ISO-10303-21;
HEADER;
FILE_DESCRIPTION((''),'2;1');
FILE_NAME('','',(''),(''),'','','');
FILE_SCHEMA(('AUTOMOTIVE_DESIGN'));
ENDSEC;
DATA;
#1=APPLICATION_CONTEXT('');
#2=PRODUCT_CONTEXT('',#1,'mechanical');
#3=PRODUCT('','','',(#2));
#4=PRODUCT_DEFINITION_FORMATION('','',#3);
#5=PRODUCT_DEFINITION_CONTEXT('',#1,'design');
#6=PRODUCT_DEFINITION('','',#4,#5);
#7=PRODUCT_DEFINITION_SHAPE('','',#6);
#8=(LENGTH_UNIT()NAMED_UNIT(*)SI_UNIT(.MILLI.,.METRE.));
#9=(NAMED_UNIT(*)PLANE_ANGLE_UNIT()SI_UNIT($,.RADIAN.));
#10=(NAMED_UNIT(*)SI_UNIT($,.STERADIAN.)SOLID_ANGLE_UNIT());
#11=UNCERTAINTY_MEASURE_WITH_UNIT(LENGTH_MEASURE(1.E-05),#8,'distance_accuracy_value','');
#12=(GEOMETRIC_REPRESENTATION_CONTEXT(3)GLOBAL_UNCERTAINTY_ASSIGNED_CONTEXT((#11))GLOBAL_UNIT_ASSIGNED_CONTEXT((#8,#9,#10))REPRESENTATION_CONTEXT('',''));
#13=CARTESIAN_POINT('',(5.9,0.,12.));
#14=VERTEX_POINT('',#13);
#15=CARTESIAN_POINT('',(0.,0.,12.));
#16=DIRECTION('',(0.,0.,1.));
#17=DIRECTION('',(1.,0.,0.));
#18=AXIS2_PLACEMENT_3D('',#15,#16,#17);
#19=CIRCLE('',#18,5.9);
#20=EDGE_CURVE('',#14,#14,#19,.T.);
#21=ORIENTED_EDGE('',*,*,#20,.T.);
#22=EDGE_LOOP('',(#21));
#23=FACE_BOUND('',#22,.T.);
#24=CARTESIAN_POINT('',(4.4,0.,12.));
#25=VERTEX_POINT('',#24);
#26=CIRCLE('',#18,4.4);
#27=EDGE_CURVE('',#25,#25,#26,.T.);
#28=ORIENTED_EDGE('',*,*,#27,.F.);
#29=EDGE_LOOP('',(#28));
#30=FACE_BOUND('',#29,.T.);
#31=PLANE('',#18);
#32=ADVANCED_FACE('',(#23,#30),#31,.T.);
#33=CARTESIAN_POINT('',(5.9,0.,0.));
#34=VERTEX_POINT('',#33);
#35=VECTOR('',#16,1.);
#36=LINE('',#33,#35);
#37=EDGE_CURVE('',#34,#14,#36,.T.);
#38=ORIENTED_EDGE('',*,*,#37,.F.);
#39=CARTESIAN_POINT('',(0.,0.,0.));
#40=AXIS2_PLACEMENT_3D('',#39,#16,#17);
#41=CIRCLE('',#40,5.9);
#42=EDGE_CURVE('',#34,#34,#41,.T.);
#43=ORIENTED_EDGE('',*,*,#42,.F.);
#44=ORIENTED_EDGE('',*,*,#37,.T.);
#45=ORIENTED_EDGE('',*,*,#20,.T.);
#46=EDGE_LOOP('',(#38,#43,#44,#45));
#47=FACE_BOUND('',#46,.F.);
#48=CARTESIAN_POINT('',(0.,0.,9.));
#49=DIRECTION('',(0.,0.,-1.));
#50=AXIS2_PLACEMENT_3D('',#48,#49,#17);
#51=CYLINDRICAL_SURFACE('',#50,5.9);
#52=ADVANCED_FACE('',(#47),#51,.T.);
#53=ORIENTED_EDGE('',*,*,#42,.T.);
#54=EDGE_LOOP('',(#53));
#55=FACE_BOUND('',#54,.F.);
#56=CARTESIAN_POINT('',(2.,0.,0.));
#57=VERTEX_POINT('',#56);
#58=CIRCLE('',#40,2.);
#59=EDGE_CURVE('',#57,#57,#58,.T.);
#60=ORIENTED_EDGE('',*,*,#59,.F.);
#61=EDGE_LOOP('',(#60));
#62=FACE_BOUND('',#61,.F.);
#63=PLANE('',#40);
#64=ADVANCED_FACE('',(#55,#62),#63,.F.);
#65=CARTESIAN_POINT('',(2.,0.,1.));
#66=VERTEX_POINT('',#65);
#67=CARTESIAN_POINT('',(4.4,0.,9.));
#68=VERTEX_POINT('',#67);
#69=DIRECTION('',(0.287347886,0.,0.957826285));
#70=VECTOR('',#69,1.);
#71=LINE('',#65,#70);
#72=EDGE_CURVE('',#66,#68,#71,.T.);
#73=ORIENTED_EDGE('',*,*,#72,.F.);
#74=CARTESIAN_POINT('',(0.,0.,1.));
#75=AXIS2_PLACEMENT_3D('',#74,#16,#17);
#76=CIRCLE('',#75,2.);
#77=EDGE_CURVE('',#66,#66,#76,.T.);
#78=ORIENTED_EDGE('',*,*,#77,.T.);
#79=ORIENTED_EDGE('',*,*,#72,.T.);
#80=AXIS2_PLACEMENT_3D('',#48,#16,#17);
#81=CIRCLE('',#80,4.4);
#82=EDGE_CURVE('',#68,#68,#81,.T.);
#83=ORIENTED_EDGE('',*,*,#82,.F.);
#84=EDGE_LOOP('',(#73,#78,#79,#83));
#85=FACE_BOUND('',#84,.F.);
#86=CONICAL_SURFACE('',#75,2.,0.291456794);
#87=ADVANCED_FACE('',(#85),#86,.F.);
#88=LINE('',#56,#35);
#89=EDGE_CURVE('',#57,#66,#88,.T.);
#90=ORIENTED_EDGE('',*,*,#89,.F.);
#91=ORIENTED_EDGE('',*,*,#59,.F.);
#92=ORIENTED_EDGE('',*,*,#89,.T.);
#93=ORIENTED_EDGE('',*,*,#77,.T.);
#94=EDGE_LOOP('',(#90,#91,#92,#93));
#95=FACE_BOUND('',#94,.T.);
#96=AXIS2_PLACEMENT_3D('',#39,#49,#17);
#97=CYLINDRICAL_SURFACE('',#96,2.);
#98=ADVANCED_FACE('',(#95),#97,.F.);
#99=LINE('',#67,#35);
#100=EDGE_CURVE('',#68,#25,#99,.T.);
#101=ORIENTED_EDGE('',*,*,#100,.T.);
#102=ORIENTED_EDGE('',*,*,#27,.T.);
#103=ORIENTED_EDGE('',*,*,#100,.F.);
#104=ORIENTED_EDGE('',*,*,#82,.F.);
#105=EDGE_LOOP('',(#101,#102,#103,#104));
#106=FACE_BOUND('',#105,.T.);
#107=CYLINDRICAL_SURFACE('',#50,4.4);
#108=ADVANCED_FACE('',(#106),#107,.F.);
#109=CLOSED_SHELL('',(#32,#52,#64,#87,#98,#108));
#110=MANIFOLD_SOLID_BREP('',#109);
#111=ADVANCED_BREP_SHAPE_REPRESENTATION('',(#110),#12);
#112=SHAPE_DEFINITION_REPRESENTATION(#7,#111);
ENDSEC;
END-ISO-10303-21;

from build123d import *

# Parameters (mm, degrees)
F0_R        = 5.9
F0_R_2      = 2
F1_DEPTH    = 9
F2_SIZE2    = 2.4
F2_SIZE     = 8
F1_FACE_R   = 5.9
F1_FACE_R_2 = 4.4
F3_DEPTH    = 3


with BuildPart() as f1:
    # F0 (on Top) → F1 (new body)
    with BuildSketch(Plane.XY):
        Circle(F0_R)
        Circle(F0_R_2, mode=Mode.SUBTRACT)
    extrude(amount=F1_DEPTH)

    # F2
    f2_edges = [f1.edges().sort_by_distance(p)[0] for p in [
        (-2, 0, 9),
    ]]
    chamfer(f2_edges, length=F2_SIZE, length2=F2_SIZE2)

    # F1_face (on face) → F3 (join)
    with BuildSketch(Plane.XY.offset(9)):
        Circle(F1_FACE_R)
        Circle(F1_FACE_R_2, mode=Mode.SUBTRACT)
    extrude(amount=F3_DEPTH)


solid = f1.part
